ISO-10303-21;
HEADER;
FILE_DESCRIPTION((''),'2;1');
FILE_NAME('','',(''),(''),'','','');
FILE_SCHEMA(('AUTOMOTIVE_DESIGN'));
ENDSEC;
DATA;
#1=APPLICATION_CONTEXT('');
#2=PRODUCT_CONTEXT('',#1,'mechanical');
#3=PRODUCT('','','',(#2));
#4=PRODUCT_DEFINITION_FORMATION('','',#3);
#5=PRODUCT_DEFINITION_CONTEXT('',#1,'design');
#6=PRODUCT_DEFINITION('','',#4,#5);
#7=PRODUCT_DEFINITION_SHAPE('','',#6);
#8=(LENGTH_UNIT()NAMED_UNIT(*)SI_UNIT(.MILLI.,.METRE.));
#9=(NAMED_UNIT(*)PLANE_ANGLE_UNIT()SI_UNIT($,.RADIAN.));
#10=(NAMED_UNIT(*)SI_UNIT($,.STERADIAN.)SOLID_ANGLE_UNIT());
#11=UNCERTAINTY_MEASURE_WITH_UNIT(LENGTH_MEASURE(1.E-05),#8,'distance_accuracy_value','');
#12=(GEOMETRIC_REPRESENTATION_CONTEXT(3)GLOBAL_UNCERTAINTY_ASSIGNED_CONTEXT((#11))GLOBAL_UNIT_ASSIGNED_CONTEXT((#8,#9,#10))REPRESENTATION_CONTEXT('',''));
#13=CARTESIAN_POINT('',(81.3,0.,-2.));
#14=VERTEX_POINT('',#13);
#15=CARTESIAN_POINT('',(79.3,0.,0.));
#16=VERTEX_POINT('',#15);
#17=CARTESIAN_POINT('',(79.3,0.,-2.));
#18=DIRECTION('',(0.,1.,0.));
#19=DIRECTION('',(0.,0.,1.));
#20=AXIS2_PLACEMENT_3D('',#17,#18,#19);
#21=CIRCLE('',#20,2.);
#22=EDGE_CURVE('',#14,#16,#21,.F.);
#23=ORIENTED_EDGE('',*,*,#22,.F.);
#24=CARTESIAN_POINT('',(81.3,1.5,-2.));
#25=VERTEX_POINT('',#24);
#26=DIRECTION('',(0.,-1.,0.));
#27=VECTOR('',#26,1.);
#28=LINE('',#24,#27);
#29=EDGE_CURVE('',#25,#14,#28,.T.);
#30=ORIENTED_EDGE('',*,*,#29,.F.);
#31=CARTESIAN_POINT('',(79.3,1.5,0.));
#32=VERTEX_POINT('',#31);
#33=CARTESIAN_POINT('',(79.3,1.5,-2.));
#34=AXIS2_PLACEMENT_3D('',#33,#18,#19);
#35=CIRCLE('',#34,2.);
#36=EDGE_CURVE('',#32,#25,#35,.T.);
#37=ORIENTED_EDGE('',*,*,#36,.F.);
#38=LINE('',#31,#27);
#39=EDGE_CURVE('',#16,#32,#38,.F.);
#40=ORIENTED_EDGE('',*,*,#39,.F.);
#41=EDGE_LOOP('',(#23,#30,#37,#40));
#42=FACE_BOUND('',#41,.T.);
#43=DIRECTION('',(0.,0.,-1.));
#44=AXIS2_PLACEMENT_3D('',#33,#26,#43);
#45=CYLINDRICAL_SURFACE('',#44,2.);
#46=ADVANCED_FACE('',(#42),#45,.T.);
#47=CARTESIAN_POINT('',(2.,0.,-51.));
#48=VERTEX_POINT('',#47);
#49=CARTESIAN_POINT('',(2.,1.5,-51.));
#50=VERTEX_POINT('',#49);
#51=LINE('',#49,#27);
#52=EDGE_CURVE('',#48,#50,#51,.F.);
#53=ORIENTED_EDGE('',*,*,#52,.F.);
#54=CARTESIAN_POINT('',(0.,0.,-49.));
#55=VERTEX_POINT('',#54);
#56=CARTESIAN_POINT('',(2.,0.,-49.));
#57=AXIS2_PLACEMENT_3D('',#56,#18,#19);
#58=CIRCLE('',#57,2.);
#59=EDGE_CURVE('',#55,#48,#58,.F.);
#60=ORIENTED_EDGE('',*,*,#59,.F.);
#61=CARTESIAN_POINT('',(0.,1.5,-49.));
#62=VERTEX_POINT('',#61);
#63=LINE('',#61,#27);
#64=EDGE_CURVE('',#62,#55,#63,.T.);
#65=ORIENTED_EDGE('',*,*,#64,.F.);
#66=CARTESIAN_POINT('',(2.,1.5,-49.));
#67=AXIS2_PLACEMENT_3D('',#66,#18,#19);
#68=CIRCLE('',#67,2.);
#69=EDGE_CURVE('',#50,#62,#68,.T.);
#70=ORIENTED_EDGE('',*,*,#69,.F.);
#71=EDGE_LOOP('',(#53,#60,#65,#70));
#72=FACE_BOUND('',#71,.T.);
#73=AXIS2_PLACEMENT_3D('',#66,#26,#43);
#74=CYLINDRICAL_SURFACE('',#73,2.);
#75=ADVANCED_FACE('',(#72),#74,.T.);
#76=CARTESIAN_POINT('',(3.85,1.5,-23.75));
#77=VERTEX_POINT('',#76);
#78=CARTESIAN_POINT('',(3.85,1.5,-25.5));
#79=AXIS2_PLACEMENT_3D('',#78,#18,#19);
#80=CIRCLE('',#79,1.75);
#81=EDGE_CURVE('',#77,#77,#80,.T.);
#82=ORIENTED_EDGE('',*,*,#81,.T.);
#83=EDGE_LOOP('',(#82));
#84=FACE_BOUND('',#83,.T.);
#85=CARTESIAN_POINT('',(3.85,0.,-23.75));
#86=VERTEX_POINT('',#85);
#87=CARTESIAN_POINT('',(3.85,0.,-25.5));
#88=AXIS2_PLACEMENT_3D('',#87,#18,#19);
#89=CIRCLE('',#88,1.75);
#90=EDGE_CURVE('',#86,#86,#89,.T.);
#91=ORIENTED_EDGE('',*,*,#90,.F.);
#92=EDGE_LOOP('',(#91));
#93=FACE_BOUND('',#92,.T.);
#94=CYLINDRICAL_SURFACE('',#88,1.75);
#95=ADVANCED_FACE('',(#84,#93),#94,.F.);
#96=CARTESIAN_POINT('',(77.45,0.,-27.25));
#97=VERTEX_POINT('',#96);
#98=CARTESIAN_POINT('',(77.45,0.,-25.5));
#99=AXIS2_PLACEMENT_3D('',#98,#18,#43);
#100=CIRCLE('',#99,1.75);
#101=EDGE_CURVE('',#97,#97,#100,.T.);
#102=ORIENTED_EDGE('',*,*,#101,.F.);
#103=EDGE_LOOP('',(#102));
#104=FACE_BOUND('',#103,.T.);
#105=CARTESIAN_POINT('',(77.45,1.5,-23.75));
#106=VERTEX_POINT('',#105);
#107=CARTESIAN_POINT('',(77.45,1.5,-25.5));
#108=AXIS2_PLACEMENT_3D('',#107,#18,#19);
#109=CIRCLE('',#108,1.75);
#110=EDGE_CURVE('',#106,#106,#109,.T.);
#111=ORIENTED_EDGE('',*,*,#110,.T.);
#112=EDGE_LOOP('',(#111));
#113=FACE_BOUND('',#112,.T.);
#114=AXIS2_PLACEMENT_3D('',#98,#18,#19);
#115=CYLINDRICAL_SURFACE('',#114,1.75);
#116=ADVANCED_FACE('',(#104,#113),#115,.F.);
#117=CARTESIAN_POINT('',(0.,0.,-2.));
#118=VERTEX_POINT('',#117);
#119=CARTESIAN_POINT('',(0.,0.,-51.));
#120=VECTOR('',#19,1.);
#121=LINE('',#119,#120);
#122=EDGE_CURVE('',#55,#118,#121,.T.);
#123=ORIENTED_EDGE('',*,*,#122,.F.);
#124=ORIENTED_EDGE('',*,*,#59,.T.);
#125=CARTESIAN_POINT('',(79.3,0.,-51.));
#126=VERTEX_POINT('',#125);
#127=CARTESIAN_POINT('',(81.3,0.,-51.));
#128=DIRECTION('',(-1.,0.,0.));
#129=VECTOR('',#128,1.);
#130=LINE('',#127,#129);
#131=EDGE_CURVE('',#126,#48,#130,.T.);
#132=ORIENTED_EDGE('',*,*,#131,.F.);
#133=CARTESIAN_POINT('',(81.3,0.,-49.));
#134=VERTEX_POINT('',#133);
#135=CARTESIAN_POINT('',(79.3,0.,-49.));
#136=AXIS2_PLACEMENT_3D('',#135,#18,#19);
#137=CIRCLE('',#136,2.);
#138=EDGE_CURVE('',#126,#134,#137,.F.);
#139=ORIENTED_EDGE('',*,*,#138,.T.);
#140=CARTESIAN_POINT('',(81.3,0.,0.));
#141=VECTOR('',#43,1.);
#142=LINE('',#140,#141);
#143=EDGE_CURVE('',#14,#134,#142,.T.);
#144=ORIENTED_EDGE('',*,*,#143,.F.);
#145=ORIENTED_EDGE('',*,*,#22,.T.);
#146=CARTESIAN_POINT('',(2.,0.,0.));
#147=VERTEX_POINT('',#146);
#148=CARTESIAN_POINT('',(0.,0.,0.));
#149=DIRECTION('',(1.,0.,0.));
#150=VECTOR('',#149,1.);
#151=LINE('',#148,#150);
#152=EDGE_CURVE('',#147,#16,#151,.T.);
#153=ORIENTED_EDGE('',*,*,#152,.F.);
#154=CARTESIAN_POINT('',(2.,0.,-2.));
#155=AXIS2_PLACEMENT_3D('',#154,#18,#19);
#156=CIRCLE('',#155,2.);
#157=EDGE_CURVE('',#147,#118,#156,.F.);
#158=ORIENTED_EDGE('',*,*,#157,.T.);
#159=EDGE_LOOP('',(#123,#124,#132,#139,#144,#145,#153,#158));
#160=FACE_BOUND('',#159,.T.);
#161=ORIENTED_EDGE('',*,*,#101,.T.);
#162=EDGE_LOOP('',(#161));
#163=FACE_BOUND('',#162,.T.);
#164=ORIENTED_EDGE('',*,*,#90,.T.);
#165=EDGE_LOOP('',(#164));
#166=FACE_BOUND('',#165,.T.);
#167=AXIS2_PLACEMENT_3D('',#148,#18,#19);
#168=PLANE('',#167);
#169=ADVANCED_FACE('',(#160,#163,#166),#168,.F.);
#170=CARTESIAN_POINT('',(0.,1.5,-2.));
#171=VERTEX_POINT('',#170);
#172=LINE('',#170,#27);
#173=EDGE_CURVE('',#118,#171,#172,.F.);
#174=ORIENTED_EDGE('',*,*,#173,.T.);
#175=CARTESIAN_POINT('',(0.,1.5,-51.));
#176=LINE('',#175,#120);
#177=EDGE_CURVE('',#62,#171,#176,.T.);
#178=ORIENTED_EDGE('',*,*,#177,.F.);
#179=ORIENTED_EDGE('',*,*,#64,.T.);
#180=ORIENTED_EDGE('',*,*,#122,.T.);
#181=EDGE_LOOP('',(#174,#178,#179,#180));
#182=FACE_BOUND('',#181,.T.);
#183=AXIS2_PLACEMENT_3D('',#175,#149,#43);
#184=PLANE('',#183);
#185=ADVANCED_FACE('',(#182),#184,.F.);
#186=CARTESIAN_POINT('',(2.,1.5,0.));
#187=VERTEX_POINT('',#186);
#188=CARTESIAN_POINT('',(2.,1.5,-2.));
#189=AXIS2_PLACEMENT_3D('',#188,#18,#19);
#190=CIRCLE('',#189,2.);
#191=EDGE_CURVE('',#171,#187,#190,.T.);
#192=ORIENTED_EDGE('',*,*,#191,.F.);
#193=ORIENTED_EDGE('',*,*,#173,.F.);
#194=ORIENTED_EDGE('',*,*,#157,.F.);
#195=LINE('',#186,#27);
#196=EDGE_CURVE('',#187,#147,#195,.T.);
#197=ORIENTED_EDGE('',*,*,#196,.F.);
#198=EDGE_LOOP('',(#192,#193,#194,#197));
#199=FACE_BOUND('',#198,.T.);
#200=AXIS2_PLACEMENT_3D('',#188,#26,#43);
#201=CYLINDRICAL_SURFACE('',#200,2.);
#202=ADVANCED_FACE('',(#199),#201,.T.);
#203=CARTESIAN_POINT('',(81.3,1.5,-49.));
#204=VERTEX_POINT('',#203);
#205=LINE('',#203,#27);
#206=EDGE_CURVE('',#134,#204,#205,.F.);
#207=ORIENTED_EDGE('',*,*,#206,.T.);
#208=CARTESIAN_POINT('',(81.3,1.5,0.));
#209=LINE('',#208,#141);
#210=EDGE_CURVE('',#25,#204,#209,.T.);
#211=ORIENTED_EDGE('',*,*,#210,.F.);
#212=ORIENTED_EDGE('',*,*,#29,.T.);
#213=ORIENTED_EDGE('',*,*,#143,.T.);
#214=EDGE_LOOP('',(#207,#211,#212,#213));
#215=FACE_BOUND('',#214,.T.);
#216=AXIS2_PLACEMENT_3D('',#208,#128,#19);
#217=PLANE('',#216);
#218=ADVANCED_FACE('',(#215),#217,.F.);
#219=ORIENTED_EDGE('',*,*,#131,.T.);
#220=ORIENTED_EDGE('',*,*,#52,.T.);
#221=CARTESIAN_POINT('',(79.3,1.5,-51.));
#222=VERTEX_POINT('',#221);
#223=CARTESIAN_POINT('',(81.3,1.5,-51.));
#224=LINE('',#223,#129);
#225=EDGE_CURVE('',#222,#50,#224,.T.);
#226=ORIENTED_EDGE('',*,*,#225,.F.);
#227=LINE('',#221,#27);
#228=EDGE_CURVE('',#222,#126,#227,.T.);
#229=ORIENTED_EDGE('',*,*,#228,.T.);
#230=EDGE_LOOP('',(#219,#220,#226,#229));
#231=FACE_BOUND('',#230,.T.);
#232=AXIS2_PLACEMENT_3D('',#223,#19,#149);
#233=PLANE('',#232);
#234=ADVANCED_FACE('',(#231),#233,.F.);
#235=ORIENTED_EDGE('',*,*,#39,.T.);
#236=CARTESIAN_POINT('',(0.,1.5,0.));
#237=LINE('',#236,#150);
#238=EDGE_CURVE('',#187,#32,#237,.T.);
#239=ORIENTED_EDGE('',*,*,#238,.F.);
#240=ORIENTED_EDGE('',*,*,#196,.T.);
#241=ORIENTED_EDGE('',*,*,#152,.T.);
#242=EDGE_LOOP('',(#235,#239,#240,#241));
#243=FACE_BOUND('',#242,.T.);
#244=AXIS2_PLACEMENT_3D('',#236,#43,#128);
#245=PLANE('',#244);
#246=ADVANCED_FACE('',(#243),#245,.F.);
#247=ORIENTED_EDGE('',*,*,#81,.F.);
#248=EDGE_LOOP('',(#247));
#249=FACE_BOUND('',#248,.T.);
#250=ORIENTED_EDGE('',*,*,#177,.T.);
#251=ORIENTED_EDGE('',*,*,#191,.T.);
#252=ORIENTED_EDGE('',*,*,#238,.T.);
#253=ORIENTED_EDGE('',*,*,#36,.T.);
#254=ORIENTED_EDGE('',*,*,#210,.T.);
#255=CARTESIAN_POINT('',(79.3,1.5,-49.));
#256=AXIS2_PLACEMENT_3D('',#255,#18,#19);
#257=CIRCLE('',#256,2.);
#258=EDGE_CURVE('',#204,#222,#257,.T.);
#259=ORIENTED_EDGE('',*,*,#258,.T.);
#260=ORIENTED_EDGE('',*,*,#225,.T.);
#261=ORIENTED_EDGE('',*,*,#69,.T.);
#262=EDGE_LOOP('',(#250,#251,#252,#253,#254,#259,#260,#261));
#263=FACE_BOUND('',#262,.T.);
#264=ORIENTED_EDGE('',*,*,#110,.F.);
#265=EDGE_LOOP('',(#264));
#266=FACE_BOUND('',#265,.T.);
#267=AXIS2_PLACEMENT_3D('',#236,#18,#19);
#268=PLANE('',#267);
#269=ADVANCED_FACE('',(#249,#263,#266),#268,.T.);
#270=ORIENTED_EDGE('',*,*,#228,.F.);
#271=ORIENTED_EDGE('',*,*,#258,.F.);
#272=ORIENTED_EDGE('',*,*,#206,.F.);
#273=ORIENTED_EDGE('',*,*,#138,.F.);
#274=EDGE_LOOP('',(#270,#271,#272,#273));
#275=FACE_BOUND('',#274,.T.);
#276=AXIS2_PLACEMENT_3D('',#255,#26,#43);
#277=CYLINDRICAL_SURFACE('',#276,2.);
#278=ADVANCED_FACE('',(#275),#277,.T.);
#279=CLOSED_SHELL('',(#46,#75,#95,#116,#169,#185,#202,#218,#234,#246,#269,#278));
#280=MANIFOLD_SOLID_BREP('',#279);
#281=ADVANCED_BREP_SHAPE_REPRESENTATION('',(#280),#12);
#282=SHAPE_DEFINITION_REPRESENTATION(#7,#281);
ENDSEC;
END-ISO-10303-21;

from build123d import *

# Parameters (mm, degrees)
SKETCH1_W               = 81.3
SKETCH1_H               = 51
BOSS_EXTRUDE1_DEPTH     = 1.5
FILLET1_R               = 2
CUT_EXTRUDE1_DEPTH      = 96.984061177
CUT_EXTRUDE1_DEPTH_BACK = 96.984061177
SKETCH2_R               = 1.75


with BuildPart() as part:
    # Sketch1 → Boss-Extrude1 (new body)
    with BuildSketch(Plane(origin=(0, 0, 0), x_dir=(1, 0, 0), z_dir=(0, 1, 0))):
        with Locations((40.65, 25.5)):
            Rectangle(SKETCH1_W, SKETCH1_H)
    extrude(amount=BOSS_EXTRUDE1_DEPTH)

    # Fillet1
    fillet1_edges = [part.edges().sort_by_distance(p)[0] for p in [
        (0, 0.75, -51),
        (81.3, 0.75, -51),
        (81.3, 0.75, 0),
        (0, 0.75, 0),
    ]]
    fillet(fillet1_edges, radius=FILLET1_R)

    # Sketch2 → Cut-Extrude1 (cut, two sides: drawn at the far end of the back side and taken through both)
    with BuildSketch(Plane(origin=(0, 1.5, 0), x_dir=(1, 0, 0), z_dir=(0, 1, 0)).offset(-CUT_EXTRUDE1_DEPTH_BACK)):
        with Locations(Location((3.85, 25.5, 0), (0, 0, 270))):
            Circle(SKETCH2_R)
        with Locations(Location((77.45, 25.5, 0), (0, 0, 270))):
            Circle(SKETCH2_R)
    extrude(amount=CUT_EXTRUDE1_DEPTH + CUT_EXTRUDE1_DEPTH_BACK, mode=Mode.SUBTRACT)


solid = part.part
